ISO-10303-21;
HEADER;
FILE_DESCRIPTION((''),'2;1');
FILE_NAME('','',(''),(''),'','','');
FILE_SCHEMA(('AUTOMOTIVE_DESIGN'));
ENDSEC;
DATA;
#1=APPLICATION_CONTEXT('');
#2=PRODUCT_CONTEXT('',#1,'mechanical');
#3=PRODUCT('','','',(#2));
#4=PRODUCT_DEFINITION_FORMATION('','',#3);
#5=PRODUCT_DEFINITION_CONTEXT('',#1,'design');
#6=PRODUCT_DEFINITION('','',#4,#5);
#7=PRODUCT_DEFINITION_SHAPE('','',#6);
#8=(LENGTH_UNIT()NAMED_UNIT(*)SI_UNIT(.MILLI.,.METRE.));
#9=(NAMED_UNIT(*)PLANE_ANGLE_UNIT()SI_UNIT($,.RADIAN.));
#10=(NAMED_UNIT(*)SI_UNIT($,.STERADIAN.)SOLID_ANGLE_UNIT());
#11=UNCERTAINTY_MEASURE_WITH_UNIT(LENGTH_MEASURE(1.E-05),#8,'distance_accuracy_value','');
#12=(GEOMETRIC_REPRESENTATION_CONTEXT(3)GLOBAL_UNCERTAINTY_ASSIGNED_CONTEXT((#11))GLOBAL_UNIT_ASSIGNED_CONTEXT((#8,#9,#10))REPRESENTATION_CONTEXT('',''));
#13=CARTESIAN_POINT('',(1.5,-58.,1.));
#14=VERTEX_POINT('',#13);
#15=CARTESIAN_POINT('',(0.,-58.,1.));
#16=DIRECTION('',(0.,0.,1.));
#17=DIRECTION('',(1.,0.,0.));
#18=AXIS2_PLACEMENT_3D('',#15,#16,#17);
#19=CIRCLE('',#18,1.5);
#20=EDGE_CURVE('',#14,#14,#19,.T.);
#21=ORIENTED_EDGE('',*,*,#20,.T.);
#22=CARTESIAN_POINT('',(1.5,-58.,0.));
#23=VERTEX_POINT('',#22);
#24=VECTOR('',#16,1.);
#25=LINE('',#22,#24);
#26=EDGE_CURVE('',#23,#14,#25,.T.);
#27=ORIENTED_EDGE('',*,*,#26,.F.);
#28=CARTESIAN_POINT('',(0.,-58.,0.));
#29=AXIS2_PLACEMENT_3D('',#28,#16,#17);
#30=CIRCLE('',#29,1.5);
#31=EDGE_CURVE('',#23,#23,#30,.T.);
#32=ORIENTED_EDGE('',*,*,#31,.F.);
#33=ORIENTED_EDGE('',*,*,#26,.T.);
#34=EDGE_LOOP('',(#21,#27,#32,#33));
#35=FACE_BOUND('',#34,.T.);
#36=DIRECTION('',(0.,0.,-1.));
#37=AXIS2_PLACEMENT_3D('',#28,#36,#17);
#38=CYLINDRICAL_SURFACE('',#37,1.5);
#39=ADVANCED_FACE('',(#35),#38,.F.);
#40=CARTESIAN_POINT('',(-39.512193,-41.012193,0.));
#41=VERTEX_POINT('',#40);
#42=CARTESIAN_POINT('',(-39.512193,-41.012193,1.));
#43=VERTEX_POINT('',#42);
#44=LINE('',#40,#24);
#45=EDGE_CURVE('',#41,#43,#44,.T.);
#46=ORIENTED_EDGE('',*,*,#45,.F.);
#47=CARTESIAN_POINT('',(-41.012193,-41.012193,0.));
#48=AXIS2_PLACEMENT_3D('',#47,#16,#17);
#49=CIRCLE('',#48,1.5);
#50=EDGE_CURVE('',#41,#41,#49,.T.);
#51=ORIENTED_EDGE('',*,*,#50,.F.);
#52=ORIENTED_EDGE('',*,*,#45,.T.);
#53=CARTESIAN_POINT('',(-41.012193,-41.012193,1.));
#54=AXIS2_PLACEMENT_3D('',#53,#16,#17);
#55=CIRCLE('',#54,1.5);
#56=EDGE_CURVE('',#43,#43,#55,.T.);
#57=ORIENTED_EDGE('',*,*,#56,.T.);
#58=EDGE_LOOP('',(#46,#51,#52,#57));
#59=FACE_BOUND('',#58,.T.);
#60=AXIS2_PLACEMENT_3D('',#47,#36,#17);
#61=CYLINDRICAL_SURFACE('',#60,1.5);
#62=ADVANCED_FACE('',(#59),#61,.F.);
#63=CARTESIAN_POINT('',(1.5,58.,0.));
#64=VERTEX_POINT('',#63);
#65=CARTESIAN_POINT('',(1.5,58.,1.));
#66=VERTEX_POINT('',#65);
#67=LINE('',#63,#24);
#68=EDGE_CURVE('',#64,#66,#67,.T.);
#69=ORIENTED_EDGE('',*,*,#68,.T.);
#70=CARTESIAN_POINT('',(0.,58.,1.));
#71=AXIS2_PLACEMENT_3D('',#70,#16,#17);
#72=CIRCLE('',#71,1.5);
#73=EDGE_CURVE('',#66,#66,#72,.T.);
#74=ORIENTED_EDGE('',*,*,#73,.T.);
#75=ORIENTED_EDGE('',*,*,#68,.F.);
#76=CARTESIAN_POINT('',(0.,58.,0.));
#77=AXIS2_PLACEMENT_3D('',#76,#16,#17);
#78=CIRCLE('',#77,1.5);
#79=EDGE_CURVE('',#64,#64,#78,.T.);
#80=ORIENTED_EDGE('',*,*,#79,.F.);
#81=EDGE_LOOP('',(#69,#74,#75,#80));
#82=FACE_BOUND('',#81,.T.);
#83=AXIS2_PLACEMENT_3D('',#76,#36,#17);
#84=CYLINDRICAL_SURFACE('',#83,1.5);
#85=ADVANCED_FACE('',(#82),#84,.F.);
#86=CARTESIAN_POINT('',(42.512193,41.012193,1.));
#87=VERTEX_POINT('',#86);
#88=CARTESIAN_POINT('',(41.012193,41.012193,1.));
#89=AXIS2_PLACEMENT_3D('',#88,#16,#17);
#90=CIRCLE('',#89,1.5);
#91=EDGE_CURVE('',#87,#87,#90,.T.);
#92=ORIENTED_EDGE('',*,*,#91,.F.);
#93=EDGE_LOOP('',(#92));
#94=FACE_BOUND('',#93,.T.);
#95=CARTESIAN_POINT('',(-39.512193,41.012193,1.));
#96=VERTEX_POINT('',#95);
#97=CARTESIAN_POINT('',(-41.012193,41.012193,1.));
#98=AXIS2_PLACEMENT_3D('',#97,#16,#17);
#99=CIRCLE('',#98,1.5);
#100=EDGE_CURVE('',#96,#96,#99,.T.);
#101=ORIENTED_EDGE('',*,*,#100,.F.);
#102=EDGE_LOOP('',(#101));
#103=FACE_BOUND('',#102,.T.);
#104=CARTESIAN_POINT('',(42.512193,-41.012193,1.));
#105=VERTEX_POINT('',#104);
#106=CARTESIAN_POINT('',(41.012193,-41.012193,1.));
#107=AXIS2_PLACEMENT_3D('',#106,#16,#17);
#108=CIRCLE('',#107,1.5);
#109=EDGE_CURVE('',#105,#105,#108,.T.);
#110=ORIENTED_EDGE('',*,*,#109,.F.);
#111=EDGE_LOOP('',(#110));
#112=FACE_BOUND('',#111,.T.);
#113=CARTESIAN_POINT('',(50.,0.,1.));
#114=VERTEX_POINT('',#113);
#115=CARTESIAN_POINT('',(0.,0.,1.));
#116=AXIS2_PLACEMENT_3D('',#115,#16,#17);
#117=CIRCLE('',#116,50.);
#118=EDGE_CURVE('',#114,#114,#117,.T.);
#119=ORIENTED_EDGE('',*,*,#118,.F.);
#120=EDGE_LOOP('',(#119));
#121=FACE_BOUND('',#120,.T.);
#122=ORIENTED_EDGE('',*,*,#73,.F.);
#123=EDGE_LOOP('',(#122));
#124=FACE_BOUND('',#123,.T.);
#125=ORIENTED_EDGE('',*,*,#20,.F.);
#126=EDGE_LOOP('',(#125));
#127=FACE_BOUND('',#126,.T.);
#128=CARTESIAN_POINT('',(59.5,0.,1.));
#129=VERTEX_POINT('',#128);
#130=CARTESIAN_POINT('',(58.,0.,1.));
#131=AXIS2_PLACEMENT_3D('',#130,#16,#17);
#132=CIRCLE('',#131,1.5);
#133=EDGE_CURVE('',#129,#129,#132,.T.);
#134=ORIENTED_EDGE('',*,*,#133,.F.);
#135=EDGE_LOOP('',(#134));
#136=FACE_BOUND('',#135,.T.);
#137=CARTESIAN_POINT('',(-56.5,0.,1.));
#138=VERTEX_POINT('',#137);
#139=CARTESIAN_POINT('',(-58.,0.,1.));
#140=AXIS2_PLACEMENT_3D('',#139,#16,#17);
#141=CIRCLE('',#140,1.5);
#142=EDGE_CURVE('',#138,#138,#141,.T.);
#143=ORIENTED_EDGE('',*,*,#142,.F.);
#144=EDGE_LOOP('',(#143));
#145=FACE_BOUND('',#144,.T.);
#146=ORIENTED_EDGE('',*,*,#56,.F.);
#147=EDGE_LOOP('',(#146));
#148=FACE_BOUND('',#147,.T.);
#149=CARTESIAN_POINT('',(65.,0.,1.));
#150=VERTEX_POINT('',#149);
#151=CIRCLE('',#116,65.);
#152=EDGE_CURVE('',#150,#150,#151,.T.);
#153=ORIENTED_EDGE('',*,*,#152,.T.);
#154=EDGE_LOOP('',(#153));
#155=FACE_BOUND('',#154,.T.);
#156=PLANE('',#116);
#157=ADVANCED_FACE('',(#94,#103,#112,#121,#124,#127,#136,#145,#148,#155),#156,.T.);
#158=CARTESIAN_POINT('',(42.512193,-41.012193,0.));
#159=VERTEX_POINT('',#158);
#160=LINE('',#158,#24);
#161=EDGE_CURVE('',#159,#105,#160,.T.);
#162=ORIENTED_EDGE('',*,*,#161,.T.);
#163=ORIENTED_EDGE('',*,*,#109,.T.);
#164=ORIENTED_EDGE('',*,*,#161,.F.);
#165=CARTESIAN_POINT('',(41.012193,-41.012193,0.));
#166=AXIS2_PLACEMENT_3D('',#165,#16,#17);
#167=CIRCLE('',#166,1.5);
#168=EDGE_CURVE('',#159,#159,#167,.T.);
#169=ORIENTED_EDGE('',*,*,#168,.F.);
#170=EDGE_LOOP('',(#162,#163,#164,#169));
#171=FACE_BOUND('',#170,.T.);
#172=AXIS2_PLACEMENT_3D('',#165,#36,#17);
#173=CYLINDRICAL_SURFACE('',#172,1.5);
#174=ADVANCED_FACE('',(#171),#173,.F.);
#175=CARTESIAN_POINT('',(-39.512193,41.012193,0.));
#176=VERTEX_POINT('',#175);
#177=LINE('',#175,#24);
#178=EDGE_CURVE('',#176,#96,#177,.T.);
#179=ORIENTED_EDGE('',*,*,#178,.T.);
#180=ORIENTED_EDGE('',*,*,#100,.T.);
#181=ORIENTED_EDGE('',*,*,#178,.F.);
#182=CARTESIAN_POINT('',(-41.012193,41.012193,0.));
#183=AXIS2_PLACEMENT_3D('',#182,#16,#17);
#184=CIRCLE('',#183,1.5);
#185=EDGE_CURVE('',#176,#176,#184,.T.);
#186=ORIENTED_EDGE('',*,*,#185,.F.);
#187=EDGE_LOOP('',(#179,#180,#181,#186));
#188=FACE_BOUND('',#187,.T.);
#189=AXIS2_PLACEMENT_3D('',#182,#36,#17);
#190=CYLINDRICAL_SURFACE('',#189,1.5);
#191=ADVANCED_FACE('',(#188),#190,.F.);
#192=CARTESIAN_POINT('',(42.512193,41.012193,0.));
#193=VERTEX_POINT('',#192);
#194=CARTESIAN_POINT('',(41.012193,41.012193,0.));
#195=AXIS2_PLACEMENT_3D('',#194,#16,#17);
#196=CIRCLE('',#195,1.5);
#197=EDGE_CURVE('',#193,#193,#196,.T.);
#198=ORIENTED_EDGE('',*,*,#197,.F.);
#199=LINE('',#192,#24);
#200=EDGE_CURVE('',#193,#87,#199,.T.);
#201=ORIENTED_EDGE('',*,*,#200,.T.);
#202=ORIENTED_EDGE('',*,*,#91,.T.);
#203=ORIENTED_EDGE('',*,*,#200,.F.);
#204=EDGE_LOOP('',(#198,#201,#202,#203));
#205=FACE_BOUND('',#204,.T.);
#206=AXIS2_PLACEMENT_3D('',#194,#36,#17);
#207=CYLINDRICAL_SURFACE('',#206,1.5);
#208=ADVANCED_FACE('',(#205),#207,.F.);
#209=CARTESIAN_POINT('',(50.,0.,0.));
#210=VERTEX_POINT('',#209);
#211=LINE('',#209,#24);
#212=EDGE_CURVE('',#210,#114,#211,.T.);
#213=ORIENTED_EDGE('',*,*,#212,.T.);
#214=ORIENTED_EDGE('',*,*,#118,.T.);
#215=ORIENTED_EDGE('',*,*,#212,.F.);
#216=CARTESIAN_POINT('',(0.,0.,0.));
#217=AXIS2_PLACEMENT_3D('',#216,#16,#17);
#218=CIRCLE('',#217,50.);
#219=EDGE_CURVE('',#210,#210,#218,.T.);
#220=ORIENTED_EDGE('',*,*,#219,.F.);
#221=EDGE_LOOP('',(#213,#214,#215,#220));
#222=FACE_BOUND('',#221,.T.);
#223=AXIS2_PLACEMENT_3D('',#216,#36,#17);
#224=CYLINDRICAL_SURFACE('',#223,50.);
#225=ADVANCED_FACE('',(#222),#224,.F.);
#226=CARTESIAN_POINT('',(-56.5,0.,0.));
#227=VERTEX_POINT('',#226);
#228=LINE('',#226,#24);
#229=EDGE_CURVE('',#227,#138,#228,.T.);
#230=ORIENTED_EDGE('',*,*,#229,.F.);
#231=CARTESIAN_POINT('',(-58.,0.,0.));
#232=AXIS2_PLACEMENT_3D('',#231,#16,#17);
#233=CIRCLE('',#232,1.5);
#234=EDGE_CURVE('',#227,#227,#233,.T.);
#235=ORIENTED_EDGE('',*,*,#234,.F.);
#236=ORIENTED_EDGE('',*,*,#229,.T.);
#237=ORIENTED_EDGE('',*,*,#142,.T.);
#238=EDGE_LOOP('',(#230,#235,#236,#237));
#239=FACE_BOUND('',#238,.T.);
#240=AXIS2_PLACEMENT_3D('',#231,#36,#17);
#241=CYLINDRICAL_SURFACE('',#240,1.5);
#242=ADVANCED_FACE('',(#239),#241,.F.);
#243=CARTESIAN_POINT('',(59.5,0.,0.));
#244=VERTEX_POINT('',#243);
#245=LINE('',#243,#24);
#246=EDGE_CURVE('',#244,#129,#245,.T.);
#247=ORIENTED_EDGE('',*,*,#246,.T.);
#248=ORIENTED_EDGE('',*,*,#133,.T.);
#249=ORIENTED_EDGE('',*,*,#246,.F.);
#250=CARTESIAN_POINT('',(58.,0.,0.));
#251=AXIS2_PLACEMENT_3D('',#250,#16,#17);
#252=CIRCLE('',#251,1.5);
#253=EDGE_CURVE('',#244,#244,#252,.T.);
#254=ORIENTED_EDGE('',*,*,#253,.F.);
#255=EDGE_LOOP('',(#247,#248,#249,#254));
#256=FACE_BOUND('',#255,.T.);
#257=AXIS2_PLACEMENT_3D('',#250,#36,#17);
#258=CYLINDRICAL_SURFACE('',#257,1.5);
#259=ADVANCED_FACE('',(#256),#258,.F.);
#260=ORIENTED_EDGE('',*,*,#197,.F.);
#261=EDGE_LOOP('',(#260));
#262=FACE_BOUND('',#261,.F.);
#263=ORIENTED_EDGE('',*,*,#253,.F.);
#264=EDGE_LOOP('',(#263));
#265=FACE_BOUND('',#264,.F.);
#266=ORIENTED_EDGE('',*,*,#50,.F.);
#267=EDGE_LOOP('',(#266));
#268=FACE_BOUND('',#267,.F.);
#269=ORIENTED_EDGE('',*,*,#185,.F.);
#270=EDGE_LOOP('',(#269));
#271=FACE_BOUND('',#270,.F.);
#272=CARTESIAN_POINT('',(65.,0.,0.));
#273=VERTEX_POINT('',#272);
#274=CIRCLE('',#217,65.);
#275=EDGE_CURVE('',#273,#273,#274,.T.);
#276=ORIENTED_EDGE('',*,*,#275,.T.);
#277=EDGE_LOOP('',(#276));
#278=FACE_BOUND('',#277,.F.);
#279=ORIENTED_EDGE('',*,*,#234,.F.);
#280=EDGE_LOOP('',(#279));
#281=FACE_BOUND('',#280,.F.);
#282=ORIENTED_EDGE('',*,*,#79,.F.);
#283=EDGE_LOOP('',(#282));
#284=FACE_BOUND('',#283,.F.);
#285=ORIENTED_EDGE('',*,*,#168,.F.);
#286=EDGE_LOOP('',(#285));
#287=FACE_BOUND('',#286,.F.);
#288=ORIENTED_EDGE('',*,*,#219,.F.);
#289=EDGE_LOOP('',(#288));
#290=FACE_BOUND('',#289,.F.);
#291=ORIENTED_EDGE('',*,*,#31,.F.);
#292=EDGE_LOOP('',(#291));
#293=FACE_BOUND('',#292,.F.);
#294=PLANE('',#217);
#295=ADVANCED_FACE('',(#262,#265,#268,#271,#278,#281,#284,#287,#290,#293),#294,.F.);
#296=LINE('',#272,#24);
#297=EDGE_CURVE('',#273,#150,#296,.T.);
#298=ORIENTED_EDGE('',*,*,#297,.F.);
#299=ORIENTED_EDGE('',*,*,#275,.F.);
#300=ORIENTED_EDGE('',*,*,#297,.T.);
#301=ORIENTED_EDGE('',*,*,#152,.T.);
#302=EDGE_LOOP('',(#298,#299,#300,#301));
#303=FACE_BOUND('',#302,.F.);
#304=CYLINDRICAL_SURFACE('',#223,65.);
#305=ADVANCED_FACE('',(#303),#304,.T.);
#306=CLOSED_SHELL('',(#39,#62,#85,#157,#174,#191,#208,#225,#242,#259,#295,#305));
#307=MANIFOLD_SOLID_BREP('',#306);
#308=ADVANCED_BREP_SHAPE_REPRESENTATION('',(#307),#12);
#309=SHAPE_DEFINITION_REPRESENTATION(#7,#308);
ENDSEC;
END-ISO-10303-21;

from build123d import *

# Parameters (mm, degrees)
SKETCH_R      = 65
SKETCH_R_2    = 50
SKETCH_R_3    = 1.5
EXTRUDE_DEPTH = 1


with BuildPart() as part:
    # Sketch → Extrude (new body)
    with BuildSketch(Plane.XY):
        Circle(SKETCH_R)
        Circle(SKETCH_R_2, mode=Mode.SUBTRACT)
        with Locations((-41.012193, 41.012193)):
            Circle(SKETCH_R_3, mode=Mode.SUBTRACT)
        with Locations((0, 58)):
            Circle(SKETCH_R_3, mode=Mode.SUBTRACT)
        with Locations((58, 0)):
            Circle(SKETCH_R_3, mode=Mode.SUBTRACT)
        with Locations((0, -58)):
            Circle(SKETCH_R_3, mode=Mode.SUBTRACT)
        with Locations((-41.012193, -41.012193)):
            Circle(SKETCH_R_3, mode=Mode.SUBTRACT)
        with Locations((-58, 0)):
            Circle(SKETCH_R_3, mode=Mode.SUBTRACT)
        with Locations((41.012193, -41.012193)):
            Circle(SKETCH_R_3, mode=Mode.SUBTRACT)
        with Locations((41.012193, 41.012193)):
            Circle(SKETCH_R_3, mode=Mode.SUBTRACT)
    extrude(amount=EXTRUDE_DEPTH)


solid = part.part
